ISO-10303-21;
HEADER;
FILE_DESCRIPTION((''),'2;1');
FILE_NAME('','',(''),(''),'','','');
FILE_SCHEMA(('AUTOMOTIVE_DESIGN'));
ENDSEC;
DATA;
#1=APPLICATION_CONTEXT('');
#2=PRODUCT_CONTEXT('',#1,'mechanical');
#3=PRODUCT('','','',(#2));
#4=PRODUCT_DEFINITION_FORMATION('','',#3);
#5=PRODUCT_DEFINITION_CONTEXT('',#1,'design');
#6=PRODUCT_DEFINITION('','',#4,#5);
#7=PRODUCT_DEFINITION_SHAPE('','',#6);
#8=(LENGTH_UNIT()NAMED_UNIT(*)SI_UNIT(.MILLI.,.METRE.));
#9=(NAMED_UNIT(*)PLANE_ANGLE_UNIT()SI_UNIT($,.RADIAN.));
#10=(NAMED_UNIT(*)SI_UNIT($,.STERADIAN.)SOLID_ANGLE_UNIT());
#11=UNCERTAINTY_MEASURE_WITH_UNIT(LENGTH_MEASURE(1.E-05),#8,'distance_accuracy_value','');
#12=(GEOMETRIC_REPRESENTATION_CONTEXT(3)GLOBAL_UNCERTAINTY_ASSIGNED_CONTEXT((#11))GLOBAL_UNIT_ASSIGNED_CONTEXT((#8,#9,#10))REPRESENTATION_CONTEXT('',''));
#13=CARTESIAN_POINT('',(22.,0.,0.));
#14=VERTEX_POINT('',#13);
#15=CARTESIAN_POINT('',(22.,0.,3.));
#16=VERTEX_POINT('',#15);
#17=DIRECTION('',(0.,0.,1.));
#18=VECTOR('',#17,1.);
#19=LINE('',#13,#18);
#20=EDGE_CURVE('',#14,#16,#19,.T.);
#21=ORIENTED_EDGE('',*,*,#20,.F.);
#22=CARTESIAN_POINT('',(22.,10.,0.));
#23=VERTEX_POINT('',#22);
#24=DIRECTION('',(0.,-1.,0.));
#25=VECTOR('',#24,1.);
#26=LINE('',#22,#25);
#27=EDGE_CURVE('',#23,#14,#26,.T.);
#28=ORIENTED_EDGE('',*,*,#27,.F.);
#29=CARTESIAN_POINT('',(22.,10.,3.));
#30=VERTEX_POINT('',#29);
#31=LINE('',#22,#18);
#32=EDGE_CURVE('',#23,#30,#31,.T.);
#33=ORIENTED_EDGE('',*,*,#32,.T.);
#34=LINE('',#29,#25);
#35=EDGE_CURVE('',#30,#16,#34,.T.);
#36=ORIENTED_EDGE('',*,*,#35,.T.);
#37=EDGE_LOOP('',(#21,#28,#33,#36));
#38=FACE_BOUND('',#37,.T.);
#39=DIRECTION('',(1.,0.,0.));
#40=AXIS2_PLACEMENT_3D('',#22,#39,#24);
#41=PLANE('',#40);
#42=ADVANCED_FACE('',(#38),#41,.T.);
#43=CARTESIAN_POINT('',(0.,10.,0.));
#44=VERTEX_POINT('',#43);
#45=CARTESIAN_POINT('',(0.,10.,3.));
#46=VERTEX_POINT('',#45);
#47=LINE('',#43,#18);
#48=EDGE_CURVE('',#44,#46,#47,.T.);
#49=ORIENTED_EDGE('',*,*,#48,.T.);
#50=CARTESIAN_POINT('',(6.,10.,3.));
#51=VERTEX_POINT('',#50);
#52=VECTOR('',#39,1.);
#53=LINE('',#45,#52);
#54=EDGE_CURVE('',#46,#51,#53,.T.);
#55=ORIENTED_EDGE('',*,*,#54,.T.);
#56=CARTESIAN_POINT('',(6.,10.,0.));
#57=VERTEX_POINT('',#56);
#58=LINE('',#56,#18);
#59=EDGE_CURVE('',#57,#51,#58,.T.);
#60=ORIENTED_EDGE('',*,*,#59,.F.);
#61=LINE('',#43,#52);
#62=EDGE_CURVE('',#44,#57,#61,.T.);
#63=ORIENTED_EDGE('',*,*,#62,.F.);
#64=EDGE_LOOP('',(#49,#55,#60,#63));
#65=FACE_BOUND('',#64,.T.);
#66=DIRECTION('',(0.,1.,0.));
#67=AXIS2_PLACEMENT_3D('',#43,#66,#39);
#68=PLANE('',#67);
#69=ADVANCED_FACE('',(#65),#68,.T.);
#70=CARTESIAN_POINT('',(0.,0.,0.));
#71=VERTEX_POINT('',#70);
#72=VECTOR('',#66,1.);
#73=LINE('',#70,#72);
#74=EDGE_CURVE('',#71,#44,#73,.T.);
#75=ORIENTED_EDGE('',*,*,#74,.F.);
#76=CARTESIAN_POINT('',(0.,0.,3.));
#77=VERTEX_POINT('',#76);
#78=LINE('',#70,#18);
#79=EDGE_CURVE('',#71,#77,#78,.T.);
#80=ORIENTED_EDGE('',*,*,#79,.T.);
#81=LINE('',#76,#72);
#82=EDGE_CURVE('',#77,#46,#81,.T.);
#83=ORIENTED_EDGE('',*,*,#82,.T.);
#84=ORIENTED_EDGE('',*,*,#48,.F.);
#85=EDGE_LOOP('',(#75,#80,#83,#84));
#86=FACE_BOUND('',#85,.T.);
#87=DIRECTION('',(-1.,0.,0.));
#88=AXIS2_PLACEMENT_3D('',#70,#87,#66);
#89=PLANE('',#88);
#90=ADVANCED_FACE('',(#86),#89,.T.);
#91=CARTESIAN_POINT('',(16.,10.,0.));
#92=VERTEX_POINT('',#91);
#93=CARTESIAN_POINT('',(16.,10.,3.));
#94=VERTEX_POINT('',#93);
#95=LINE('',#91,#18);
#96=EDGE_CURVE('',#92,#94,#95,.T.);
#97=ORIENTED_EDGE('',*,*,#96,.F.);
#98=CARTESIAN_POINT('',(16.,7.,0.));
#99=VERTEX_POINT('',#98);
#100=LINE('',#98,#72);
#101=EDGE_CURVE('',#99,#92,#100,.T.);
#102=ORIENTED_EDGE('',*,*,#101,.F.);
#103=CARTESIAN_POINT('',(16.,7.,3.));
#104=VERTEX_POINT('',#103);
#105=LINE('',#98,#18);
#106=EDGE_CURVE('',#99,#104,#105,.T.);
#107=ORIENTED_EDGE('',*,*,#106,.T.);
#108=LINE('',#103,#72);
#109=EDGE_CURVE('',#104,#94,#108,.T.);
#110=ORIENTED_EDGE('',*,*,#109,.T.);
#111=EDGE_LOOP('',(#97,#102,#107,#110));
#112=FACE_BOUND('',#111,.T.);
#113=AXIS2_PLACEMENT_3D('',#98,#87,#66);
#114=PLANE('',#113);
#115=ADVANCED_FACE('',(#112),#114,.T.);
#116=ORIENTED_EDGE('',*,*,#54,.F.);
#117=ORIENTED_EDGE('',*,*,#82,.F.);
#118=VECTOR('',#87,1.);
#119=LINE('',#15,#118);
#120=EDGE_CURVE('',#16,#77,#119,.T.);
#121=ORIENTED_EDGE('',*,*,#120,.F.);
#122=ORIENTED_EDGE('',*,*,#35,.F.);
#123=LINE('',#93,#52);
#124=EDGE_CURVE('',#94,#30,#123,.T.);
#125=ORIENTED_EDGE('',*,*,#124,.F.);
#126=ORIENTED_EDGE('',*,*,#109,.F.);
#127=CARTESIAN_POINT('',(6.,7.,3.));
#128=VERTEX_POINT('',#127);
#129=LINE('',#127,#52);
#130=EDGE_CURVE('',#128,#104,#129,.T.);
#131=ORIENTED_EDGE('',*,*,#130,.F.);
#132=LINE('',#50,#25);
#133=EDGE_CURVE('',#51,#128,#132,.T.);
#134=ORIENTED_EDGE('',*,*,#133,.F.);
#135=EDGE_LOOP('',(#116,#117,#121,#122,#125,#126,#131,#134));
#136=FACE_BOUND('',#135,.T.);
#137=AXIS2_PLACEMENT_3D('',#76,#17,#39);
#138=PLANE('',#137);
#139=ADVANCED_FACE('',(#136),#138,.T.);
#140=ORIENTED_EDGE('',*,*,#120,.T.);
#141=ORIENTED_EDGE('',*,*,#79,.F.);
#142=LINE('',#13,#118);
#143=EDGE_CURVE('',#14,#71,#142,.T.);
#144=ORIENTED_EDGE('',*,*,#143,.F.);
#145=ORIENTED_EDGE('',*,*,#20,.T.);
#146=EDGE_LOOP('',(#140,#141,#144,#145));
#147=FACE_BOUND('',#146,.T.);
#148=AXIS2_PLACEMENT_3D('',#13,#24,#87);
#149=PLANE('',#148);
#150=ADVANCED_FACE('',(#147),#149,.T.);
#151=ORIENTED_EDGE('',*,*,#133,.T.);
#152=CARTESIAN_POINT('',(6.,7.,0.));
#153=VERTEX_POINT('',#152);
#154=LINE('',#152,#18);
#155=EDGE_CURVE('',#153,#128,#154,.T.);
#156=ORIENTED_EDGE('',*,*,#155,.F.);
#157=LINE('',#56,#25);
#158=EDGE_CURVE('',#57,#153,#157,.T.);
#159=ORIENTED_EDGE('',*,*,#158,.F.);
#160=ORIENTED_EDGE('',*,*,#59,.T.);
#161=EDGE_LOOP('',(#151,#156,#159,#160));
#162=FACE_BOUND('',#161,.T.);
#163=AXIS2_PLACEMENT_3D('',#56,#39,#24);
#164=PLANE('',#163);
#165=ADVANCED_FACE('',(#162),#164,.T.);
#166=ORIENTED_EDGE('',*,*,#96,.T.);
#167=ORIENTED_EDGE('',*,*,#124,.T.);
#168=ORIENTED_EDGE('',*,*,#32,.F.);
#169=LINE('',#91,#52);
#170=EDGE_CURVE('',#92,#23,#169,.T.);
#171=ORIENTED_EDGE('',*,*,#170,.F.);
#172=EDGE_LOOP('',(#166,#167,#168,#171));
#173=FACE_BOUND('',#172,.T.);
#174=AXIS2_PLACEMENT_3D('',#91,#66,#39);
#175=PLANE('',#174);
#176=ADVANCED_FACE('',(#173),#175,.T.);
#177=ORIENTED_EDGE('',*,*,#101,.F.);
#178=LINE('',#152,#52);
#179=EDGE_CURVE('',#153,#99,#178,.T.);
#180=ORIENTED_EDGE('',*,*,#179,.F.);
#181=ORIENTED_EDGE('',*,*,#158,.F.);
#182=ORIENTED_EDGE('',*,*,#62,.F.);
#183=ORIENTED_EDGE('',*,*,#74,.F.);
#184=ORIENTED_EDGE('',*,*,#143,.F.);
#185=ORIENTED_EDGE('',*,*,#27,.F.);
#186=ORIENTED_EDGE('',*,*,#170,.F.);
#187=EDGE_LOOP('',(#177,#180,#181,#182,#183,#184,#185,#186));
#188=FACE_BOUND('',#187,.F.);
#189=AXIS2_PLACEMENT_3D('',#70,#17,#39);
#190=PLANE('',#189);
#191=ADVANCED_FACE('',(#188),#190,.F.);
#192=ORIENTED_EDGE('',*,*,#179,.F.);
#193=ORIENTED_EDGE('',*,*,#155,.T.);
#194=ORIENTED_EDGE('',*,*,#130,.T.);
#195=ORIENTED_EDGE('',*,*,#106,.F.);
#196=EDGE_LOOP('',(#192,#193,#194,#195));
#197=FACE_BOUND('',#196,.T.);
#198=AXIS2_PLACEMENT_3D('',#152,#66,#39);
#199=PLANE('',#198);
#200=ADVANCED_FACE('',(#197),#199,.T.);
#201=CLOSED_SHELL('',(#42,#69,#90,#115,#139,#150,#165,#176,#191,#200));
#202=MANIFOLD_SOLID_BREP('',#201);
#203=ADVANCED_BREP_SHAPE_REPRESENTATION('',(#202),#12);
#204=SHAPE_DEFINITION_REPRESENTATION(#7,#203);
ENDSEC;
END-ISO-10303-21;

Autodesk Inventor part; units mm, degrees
ref_plane "YZ Plane" through (0, 0, 0) normal (1, 0, 0) x (0, 1, 0)
ref_plane "XZ Plane" through (0, 0, 0) normal (0, 1, 0) x (-1, 0, 0)
ref_plane "XY Plane" through (0, 0, 0) normal (0, 0, 1) x (1, 0, 0)
sketch "Boceto1" plane through (0, 0, 0) normal (0, 0, 1) x (1, 0, 0)
  line L0 (22, 10) -> (22, 0)
  line L1 (22, 0) -> (0, 0)
  line L2 (0, 0) -> (0, 10)
  line L3 (6, 10) -> (6, 7)
  line L4 (6, 7) -> (16, 7)
  line L5 (16, 7) -> (16, 10)
  line L6 (0, 10) -> (6, 10)
  line L7 (16, 10) -> (22, 10)
  dimension "d0" = 22
  dimension "d1" = 10
  dimension "d3" = 10
  dimension "d4" = 6
  dimension "d5" = 3
extrude "Extrusión1" add sketch "Boceto1" along normal blind 3
properties part number "Celda sos desli"
